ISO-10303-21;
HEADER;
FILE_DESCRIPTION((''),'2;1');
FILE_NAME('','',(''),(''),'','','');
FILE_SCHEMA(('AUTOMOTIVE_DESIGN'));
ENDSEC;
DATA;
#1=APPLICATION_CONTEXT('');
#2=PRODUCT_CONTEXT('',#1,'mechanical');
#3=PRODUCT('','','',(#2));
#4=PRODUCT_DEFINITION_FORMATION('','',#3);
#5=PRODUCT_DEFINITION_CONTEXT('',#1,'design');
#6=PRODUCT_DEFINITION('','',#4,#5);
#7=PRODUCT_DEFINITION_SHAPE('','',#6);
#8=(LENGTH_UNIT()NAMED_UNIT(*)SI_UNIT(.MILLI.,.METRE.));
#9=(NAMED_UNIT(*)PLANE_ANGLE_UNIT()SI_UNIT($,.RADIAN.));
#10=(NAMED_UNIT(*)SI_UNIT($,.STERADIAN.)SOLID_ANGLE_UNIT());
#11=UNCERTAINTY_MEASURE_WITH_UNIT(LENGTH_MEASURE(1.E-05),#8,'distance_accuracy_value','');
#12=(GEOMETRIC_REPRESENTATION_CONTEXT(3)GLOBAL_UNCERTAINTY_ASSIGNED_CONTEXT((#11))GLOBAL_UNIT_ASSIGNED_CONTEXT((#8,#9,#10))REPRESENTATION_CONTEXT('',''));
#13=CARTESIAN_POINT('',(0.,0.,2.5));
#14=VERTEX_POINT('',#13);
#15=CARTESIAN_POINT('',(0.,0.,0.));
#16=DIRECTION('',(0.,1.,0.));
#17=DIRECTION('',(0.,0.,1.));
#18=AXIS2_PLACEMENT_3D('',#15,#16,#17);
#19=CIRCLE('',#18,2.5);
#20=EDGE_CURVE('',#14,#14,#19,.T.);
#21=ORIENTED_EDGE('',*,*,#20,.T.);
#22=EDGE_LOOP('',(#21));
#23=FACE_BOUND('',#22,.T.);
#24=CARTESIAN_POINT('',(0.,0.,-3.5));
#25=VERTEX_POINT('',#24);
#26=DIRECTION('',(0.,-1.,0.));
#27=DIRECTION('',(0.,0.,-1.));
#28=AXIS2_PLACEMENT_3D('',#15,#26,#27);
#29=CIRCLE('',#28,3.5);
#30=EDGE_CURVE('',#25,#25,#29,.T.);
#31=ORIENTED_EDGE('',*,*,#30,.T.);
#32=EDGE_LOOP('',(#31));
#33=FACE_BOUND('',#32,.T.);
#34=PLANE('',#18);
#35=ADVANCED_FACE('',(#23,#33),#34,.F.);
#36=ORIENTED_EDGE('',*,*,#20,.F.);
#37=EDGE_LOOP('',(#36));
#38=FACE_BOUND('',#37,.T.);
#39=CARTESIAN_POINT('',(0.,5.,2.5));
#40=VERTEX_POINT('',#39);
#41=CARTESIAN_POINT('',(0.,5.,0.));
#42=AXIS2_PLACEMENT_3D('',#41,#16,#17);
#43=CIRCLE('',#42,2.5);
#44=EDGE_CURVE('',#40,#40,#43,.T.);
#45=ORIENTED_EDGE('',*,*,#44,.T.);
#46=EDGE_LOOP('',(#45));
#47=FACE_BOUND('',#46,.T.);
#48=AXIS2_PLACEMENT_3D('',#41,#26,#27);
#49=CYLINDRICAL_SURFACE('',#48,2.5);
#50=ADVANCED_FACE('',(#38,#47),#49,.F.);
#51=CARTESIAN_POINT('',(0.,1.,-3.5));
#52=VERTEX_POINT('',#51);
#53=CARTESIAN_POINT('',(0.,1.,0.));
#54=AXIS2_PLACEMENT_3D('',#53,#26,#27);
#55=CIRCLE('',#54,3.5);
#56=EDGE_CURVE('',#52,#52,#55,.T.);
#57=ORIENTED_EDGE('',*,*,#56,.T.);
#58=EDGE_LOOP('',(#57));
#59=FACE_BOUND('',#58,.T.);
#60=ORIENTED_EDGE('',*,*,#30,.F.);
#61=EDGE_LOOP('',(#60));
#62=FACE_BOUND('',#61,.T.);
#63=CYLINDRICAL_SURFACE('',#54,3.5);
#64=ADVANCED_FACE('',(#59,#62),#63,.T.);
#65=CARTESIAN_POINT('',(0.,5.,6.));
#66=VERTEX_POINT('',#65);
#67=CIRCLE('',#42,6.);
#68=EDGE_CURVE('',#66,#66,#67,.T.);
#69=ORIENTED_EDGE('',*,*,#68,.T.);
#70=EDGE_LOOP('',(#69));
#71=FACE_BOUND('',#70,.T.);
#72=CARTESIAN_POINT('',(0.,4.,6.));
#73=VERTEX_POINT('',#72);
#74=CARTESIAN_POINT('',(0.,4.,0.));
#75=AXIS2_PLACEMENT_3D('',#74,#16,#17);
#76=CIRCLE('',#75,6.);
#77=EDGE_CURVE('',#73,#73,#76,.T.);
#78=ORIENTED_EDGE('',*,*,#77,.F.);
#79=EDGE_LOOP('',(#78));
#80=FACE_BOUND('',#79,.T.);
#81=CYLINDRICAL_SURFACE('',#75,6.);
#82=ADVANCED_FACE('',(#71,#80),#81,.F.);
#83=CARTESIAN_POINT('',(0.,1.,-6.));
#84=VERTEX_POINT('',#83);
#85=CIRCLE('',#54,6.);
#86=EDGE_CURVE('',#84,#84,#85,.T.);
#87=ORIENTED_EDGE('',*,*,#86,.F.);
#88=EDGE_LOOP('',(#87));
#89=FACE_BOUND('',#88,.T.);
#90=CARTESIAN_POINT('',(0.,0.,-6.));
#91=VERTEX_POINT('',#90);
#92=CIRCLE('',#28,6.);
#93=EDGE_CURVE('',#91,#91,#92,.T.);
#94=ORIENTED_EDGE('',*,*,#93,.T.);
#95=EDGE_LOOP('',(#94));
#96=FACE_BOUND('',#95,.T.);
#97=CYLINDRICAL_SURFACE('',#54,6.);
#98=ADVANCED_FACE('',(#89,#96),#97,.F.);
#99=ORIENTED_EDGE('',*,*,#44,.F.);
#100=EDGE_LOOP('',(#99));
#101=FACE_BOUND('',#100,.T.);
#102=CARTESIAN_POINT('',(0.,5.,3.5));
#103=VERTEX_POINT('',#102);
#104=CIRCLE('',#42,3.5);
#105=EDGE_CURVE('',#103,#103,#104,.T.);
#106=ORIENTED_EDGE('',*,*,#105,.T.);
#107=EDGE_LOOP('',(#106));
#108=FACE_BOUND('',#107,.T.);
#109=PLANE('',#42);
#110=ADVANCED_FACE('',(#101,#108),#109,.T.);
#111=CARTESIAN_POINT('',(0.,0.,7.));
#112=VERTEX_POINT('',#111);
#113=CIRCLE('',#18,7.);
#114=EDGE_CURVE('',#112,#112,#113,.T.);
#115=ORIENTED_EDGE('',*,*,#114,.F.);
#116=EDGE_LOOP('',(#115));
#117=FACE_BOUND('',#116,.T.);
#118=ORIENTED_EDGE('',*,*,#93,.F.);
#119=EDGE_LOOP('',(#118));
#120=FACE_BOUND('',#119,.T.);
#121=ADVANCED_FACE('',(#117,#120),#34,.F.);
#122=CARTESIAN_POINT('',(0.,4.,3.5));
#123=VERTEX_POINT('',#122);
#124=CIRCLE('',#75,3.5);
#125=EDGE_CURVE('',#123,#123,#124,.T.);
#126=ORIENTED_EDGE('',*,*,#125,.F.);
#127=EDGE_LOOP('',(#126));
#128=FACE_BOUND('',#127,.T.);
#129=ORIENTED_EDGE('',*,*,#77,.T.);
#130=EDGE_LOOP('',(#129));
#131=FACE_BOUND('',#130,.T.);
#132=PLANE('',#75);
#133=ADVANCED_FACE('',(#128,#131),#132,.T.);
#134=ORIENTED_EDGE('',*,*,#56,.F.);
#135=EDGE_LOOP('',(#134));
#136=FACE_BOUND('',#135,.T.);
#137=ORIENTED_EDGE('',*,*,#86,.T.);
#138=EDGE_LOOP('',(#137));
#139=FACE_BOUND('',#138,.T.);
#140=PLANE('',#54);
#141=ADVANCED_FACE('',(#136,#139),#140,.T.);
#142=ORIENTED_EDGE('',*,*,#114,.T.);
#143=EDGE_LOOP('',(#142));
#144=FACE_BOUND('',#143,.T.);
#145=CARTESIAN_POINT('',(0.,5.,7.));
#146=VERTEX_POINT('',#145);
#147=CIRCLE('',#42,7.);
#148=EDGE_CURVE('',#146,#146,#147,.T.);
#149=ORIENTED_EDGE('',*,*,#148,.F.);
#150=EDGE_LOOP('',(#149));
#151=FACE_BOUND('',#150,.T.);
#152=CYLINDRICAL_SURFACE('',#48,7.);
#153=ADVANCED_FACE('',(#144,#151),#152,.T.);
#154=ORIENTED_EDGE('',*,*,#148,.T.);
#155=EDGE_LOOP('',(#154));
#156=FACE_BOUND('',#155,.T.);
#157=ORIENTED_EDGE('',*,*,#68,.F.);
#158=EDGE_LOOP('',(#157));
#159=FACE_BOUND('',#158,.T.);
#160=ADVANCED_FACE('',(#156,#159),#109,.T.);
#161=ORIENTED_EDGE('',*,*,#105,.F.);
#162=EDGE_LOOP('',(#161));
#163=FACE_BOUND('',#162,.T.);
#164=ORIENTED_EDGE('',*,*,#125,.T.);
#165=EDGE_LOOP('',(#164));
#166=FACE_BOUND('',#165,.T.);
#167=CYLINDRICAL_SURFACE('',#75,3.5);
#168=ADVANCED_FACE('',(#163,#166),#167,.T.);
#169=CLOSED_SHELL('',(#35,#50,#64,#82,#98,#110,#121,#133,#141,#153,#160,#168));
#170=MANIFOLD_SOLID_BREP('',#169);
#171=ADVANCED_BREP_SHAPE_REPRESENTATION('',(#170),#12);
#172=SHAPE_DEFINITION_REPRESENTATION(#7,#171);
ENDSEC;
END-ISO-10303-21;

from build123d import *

# Parameters (mm, degrees)
SKETCH_1_R          = 7
SKETCH_1_R_2        = 2.5
EXTRUDE_1_DEPTH     = 5
SKETCH_2_R          = 6
SKETCH_2_R_2        = 3.5
CUT_EXTRUDE_1_DEPTH = 1
CUT_EXTRUDE_START   = -1
SKETCH_3_R          = 6
SKETCH_3_R_2        = 3.5
CUT_EXTRUDE_2_DEPTH = 1


with BuildPart() as part:
    # 스케치1 → 보스-돌출1 (new body)
    with BuildSketch(Plane(origin=(0, 0, 0), x_dir=(1, 0, 0), z_dir=(0, 1, 0))):
        with Locations(Location((0, 0, 0), (0, 0, 270))):
            Circle(SKETCH_1_R)
        with Locations(Location((0, 0, 0), (0, 0, 270))):
            Circle(SKETCH_1_R_2, mode=Mode.SUBTRACT)
    extrude(amount=EXTRUDE_1_DEPTH)

    # 스케치2 → 컷-돌출1 (cut)
    with BuildSketch(Plane(origin=(0, 5, 0), x_dir=(1, 0, 0), z_dir=(0, 1, 0))):
        with Locations(Location((0, 0, 0), (0, 0, 270))):
            Circle(SKETCH_2_R)
        with Locations(Location((0, 0, 0), (0, 0, 270))):
            Circle(SKETCH_2_R_2, mode=Mode.SUBTRACT)
    extrude(amount=-CUT_EXTRUDE_1_DEPTH, mode=Mode.SUBTRACT)

    # 스케치3 → 컷-돌출2 (cut)
    with BuildSketch(Plane(origin=(0, 0, 0), x_dir=(-1, 0, 0), z_dir=(0, -1, 0)).offset(CUT_EXTRUDE_START)):
        with Locations(Location((0, 0, 0), (0, 0, 270))):
            Circle(SKETCH_3_R)
        with Locations(Location((0, 0, 0), (0, 0, 270))):
            Circle(SKETCH_3_R_2, mode=Mode.SUBTRACT)
    extrude(amount=CUT_EXTRUDE_2_DEPTH, mode=Mode.SUBTRACT)


solid = part.part
